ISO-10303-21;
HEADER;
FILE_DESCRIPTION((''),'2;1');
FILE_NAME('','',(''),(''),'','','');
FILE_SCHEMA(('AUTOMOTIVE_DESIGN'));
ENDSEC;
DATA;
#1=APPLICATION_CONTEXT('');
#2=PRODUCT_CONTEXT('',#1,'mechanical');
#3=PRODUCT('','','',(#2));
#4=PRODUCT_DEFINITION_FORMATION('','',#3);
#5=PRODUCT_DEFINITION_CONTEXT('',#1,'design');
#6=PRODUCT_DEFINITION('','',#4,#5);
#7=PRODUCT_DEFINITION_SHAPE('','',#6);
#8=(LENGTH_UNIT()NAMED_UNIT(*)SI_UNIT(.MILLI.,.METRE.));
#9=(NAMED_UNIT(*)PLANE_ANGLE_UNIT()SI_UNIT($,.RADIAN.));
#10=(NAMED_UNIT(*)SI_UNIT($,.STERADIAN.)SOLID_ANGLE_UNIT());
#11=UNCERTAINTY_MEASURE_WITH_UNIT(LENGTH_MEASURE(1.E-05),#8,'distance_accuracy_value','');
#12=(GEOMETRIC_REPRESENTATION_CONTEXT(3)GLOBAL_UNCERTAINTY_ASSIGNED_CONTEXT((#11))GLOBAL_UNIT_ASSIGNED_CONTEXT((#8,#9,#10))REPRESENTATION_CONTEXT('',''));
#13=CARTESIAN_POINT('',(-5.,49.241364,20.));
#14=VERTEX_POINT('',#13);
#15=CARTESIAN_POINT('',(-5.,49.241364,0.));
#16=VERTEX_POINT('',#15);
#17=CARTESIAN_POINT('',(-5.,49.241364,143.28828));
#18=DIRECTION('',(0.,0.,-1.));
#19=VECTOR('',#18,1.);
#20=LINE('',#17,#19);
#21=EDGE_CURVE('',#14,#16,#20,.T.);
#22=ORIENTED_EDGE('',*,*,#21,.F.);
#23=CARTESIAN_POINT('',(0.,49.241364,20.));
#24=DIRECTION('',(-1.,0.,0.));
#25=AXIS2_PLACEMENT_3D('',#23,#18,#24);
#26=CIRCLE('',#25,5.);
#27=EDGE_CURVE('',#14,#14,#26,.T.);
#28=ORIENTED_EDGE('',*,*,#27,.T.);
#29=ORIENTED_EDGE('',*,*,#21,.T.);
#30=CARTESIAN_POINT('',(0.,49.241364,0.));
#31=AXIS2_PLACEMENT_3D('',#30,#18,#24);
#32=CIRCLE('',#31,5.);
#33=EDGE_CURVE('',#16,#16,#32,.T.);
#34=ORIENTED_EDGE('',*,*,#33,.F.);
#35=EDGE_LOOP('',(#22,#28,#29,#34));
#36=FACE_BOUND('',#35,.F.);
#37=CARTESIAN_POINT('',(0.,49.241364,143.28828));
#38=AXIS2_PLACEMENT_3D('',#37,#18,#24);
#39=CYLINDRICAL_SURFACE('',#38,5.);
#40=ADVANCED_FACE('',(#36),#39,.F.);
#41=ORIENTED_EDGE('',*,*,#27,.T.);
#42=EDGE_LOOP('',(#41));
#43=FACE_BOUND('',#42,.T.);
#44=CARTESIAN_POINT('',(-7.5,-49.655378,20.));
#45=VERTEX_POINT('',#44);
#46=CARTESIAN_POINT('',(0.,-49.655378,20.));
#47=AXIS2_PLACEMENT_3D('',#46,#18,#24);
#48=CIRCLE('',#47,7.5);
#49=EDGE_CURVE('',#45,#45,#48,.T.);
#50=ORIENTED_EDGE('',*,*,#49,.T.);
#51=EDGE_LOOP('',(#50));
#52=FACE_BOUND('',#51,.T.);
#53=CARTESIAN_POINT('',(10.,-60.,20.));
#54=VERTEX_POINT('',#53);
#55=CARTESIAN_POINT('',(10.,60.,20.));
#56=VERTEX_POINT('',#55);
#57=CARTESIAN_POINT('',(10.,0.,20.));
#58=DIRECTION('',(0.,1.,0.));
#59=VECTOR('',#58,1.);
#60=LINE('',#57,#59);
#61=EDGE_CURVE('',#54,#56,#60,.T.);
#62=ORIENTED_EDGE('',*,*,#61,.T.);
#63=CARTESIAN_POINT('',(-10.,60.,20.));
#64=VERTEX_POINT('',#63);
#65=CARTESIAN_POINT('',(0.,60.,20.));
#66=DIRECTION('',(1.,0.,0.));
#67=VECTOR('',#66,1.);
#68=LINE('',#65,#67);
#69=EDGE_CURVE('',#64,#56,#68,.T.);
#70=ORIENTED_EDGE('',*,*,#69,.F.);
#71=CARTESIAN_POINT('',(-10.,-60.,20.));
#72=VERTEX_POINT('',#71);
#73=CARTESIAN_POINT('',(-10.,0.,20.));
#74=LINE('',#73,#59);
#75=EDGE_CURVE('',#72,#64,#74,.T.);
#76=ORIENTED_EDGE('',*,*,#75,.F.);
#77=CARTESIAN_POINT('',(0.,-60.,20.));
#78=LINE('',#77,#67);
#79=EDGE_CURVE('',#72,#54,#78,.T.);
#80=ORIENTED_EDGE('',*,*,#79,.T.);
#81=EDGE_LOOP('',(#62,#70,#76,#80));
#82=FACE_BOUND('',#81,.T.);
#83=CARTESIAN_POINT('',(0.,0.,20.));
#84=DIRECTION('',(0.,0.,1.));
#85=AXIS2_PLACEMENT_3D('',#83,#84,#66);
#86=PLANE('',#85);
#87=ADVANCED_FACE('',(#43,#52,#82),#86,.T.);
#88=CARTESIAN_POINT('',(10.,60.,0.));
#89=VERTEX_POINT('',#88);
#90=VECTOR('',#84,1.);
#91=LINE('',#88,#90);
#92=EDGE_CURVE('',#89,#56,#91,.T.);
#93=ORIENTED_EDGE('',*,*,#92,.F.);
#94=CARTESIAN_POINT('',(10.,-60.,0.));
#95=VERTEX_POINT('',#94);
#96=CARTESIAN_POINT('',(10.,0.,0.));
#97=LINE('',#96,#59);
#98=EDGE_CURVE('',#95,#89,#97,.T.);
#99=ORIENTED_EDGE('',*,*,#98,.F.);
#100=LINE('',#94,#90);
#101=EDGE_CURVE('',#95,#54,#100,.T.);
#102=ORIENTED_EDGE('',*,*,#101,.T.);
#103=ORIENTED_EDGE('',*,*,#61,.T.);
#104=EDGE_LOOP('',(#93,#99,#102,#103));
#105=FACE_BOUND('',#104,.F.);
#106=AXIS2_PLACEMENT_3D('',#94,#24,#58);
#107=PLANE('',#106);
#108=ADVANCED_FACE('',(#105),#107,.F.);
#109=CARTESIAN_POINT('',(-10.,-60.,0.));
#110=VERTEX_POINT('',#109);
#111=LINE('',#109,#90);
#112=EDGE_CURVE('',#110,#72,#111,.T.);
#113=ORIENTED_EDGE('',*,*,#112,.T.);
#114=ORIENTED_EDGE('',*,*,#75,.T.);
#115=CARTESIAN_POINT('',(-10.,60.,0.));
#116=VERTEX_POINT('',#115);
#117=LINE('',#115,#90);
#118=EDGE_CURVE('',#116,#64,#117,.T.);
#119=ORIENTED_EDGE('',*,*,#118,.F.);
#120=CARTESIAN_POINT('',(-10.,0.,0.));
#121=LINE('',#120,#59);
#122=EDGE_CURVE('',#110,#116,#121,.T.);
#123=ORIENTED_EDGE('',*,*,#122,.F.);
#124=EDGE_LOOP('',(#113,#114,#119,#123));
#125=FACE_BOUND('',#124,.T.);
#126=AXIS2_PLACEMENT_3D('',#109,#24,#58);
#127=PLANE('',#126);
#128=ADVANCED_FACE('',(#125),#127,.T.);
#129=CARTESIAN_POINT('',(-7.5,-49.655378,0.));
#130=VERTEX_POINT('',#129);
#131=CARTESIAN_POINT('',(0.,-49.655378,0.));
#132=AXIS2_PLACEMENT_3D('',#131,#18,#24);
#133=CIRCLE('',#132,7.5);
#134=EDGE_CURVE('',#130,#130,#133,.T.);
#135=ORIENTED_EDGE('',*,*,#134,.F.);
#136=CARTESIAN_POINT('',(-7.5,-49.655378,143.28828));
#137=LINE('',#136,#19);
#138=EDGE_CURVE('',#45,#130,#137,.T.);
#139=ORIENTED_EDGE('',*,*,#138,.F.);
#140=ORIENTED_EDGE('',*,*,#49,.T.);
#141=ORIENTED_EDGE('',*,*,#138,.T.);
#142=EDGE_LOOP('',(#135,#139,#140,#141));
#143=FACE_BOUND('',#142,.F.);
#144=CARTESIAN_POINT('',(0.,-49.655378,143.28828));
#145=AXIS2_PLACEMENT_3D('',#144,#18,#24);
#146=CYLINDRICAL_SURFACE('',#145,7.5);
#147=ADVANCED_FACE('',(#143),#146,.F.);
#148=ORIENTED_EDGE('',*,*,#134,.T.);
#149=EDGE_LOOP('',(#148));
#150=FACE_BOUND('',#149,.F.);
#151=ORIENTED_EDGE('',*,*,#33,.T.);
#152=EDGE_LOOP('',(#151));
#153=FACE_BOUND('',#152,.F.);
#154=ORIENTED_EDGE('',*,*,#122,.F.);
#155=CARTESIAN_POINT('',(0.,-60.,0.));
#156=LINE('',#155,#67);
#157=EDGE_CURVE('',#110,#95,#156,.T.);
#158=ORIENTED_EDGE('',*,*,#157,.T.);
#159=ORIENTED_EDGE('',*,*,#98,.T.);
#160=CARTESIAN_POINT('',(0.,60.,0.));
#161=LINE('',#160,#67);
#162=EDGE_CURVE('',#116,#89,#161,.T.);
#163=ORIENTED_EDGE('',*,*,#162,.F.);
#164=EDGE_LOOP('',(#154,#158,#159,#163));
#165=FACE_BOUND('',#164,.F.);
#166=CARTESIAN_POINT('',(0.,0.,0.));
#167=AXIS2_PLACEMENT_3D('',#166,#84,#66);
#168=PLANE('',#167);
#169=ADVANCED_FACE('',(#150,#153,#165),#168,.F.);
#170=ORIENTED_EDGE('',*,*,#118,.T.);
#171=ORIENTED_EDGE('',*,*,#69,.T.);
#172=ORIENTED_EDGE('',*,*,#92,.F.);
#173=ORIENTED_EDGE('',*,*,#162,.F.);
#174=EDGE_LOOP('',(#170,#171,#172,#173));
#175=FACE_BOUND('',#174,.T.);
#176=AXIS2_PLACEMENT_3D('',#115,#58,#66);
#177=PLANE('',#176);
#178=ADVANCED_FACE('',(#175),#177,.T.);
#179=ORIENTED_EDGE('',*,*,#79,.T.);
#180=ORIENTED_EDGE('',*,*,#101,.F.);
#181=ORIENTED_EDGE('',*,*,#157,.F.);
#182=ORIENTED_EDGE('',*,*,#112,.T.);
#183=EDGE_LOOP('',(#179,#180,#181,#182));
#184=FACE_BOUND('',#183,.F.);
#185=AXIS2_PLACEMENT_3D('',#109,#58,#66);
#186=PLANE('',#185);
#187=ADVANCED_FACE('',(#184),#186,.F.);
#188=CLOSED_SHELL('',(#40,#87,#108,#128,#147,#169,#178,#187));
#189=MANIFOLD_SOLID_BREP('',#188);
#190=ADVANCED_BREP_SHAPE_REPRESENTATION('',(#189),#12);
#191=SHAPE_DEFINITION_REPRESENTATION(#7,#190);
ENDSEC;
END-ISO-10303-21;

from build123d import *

# Parameters (mm, degrees)
F0_W     = 20
F0_H     = 120
F1_DEPTH = 20
F4_D     = 15
F6_D     = 10


with BuildPart() as f1:
    # F0 (on Top) → F1 (new body)
    with BuildSketch(Plane.XY):
        Rectangle(F0_W, F0_H)
    extrude(amount=F1_DEPTH)

    # F4 (through all)
    with Locations(Plane.XY.offset(20)):
        with Locations((0, -49.655378)):
            Hole(F4_D / 2)

    # F6 (through all)
    with Locations(Plane.XY.offset(20)):
        with Locations((0, 49.241364)):
            Hole(F6_D / 2)


solid = f1.part
